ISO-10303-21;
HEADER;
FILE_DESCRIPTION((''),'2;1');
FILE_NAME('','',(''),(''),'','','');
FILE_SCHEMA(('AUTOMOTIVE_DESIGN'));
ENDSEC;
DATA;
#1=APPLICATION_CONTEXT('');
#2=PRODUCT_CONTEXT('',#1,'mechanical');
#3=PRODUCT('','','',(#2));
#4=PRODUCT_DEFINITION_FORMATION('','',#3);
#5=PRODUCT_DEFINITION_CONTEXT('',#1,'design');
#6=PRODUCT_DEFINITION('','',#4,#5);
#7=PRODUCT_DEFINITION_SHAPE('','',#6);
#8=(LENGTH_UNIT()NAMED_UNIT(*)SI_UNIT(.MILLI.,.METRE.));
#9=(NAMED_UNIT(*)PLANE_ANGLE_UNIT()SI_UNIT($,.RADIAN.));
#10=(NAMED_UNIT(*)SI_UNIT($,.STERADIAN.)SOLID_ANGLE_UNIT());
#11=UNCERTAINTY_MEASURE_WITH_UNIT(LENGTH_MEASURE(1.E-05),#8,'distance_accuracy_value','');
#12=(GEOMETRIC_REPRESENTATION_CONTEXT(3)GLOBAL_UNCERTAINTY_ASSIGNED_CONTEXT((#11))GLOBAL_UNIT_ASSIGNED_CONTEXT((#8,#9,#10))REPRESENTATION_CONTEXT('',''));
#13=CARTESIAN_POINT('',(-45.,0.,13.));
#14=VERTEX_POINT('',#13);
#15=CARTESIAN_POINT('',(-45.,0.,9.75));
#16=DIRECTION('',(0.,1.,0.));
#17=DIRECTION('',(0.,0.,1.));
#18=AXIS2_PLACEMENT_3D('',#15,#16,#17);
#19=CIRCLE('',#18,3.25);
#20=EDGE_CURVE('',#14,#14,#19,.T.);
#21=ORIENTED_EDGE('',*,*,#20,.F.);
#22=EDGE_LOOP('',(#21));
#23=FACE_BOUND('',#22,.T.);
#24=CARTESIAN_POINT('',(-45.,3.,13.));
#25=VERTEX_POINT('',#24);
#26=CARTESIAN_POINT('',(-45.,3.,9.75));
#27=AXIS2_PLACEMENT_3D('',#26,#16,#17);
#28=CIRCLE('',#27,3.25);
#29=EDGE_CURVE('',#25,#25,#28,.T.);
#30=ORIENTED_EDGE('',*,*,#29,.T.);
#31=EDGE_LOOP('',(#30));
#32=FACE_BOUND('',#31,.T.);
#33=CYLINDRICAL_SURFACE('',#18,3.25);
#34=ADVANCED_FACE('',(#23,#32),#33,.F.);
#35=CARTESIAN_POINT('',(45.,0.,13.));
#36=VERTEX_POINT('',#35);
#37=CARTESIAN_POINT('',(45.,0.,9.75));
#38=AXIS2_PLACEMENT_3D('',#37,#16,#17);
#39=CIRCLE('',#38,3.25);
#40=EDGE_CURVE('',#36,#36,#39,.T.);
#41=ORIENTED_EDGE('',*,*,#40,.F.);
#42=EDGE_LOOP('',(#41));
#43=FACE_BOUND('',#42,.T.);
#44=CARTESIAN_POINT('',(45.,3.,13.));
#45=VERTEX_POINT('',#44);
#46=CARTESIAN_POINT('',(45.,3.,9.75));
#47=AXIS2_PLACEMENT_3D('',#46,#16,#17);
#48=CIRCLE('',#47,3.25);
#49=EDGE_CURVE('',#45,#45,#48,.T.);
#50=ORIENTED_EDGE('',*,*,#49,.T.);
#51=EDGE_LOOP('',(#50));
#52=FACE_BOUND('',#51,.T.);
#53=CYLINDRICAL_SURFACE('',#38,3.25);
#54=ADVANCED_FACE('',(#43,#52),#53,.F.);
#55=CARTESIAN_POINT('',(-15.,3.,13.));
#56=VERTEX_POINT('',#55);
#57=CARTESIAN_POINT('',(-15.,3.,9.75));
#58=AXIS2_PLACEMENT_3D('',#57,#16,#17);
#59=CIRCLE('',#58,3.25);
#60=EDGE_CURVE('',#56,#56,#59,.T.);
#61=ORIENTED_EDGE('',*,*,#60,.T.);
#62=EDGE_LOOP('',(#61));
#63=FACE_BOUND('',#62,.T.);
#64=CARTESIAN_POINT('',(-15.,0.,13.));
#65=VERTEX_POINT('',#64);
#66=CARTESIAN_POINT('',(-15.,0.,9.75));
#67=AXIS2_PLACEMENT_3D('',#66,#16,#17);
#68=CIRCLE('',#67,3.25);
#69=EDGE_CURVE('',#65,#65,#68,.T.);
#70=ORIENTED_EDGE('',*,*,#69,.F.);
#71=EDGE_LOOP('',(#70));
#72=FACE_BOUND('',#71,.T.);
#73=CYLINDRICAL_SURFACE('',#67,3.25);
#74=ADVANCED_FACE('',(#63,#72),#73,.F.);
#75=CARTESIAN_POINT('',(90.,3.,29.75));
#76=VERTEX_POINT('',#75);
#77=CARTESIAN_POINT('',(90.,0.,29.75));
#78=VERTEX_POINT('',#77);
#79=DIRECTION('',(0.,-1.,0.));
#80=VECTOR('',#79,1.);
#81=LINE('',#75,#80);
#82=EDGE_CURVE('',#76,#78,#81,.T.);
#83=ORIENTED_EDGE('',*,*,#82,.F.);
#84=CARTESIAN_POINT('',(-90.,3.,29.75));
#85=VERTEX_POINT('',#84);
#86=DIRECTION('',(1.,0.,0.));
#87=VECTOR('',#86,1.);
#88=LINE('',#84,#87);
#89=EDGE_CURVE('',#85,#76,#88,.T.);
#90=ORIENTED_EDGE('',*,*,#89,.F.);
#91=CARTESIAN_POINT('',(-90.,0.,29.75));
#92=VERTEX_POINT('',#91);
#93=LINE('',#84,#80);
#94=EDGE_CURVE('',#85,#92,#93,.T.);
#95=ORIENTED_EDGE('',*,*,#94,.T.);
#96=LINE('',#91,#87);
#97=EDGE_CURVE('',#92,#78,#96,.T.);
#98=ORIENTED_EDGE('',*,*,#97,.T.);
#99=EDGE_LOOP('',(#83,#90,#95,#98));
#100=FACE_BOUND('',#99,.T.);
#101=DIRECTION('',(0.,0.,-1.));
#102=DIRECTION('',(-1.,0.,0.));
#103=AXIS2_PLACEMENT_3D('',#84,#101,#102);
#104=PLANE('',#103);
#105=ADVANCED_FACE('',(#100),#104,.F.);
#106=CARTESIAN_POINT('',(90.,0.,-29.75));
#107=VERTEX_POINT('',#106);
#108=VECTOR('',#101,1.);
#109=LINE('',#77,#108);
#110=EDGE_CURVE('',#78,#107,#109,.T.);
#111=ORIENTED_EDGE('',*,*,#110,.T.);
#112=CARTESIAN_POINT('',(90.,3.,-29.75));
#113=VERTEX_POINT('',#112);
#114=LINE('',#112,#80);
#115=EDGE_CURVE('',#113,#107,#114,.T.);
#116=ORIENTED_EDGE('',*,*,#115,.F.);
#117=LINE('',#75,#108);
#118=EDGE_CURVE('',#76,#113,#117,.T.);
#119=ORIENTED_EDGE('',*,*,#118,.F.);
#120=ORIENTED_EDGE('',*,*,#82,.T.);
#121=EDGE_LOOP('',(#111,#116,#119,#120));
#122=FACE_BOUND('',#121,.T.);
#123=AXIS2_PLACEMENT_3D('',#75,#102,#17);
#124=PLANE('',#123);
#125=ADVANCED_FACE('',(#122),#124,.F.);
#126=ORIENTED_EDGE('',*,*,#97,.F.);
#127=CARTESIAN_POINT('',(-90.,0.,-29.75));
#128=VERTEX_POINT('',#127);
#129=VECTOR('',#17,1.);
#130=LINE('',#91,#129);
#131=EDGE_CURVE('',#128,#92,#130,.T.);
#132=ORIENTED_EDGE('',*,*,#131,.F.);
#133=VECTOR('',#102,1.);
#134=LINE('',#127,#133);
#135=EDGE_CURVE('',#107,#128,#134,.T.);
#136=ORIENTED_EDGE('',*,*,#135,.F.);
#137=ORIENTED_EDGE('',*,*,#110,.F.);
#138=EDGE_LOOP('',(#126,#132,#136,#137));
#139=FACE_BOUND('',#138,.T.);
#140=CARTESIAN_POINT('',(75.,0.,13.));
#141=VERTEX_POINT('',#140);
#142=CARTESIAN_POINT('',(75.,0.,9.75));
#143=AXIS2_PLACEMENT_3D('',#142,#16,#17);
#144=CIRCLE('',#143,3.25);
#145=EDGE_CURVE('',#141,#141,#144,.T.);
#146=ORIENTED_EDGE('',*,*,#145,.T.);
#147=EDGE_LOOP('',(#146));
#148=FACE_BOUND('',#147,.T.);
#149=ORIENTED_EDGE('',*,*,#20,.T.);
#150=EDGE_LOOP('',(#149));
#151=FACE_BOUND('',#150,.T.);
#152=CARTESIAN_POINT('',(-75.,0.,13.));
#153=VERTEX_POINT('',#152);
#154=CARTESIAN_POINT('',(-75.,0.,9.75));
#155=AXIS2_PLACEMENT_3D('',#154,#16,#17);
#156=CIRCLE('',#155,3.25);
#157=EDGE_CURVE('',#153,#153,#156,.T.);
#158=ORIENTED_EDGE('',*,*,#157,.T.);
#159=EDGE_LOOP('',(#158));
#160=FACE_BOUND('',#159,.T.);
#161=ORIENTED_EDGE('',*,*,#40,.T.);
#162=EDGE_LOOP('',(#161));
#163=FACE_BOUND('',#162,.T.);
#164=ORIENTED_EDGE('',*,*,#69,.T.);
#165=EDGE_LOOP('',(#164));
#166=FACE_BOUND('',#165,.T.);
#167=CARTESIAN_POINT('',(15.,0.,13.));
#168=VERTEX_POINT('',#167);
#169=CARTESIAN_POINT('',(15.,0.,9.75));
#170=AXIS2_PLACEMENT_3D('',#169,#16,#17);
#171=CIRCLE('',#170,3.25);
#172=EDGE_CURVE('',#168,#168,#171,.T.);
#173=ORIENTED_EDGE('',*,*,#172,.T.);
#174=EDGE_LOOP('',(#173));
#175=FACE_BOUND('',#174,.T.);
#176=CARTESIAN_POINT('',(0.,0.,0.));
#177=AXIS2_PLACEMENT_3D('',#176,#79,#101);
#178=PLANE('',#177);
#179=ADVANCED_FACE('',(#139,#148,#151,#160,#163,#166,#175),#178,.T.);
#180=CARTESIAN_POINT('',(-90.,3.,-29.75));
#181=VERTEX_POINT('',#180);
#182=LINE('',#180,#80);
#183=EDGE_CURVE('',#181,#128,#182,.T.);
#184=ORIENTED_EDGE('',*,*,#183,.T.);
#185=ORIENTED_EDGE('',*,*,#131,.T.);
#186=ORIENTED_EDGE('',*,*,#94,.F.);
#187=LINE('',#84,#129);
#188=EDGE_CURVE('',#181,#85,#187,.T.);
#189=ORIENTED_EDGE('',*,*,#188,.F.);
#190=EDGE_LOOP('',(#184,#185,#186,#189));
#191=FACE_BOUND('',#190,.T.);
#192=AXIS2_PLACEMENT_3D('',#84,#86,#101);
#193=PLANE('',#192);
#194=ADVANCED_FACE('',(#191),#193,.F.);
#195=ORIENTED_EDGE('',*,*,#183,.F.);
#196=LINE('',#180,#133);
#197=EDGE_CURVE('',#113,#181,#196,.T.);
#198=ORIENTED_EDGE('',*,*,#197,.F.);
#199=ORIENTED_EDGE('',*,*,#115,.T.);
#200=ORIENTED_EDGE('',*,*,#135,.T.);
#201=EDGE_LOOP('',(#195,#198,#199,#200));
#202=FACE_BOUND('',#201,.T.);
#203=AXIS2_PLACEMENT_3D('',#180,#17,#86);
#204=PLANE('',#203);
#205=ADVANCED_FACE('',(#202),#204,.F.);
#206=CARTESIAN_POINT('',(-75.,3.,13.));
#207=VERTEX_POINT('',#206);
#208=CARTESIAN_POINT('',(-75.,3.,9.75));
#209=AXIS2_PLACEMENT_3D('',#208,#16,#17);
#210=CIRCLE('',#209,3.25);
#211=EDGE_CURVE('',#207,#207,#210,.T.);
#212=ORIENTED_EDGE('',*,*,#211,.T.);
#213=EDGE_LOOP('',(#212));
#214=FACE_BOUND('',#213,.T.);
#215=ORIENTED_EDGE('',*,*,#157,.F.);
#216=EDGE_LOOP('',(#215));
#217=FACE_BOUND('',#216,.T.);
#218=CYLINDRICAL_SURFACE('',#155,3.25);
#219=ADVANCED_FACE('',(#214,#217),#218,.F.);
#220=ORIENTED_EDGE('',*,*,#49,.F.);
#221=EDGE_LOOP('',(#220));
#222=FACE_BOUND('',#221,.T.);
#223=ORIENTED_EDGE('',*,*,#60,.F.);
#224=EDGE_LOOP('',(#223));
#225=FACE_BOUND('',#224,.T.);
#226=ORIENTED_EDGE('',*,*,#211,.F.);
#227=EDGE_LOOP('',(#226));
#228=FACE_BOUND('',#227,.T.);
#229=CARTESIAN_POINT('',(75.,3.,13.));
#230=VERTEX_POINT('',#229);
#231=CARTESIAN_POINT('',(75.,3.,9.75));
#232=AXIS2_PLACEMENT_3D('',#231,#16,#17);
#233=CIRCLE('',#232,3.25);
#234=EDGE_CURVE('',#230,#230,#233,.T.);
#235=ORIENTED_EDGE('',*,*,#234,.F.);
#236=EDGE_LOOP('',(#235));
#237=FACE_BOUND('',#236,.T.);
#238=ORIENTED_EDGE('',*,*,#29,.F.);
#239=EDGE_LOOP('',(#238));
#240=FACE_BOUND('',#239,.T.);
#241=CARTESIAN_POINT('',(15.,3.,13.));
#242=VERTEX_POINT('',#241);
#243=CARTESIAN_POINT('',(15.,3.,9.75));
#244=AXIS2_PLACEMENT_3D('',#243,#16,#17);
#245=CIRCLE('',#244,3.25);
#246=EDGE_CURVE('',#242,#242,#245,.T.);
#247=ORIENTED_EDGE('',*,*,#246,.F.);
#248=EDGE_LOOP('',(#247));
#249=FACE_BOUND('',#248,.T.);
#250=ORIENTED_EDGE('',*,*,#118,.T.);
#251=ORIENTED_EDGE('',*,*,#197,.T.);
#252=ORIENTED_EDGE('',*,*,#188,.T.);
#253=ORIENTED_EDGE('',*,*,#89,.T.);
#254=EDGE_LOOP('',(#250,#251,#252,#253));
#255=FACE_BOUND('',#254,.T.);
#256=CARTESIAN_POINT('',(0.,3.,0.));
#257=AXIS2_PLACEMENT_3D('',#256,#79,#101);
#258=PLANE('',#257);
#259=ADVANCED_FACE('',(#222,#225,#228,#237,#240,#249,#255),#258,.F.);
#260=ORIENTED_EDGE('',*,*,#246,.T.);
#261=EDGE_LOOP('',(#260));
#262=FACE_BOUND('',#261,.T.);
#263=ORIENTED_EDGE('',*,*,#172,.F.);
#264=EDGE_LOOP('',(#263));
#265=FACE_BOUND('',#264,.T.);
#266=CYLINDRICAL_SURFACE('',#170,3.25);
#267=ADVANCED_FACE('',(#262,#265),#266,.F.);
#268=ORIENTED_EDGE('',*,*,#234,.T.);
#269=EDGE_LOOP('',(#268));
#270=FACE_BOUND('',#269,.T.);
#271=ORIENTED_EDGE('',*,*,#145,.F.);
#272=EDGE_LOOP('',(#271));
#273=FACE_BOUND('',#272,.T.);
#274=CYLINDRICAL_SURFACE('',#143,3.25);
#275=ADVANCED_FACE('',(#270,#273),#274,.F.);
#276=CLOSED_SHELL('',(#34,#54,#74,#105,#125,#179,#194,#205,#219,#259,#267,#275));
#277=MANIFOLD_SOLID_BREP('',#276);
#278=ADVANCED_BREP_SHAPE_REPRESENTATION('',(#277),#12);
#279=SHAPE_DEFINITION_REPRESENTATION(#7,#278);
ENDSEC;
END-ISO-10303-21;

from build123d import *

# Parameters (mm, degrees)
SKIZZE1_W                       = 180
SKIZZE1_H                       = 59.5
AUFSATZ_LINEAR_AUSTRAGEN1_DEPTH = 3
SKIZZE2_R                       = 3.25
SCHNITT_LINEAR_AUSTRAGEN1_DEPTH = 3


with BuildPart() as part:
    # Skizze1 → Aufsatz-Linear austragen1 (new body)
    with BuildSketch(Plane(origin=(0, 0, 0), x_dir=(1, 0, 0), z_dir=(0, 1, 0))):
        Rectangle(SKIZZE1_W, SKIZZE1_H)
    extrude(amount=AUFSATZ_LINEAR_AUSTRAGEN1_DEPTH)

    # Skizze2 → Schnitt-Linear austragen1 (cut)
    with BuildSketch(Plane(origin=(0, 3, 0), x_dir=(1, 0, 0), z_dir=(0, 1, 0))):
        with Locations(Location((-75, -9.75, 0), (0, 0, 270))):
            Circle(SKIZZE2_R)
        with Locations(Location((-45, -9.75, 0), (0, 0, 270))):
            Circle(SKIZZE2_R)
        with Locations(Location((-15, -9.75, 0), (0, 0, 270))):
            Circle(SKIZZE2_R)
        with Locations(Location((15, -9.75, 0), (0, 0, 270))):
            Circle(SKIZZE2_R)
        with Locations(Location((45, -9.75, 0), (0, 0, 270))):
            Circle(SKIZZE2_R)
        with Locations(Location((75, -9.75, 0), (0, 0, 270))):
            Circle(SKIZZE2_R)
    extrude(amount=-SCHNITT_LINEAR_AUSTRAGEN1_DEPTH, mode=Mode.SUBTRACT)


solid = part.part
